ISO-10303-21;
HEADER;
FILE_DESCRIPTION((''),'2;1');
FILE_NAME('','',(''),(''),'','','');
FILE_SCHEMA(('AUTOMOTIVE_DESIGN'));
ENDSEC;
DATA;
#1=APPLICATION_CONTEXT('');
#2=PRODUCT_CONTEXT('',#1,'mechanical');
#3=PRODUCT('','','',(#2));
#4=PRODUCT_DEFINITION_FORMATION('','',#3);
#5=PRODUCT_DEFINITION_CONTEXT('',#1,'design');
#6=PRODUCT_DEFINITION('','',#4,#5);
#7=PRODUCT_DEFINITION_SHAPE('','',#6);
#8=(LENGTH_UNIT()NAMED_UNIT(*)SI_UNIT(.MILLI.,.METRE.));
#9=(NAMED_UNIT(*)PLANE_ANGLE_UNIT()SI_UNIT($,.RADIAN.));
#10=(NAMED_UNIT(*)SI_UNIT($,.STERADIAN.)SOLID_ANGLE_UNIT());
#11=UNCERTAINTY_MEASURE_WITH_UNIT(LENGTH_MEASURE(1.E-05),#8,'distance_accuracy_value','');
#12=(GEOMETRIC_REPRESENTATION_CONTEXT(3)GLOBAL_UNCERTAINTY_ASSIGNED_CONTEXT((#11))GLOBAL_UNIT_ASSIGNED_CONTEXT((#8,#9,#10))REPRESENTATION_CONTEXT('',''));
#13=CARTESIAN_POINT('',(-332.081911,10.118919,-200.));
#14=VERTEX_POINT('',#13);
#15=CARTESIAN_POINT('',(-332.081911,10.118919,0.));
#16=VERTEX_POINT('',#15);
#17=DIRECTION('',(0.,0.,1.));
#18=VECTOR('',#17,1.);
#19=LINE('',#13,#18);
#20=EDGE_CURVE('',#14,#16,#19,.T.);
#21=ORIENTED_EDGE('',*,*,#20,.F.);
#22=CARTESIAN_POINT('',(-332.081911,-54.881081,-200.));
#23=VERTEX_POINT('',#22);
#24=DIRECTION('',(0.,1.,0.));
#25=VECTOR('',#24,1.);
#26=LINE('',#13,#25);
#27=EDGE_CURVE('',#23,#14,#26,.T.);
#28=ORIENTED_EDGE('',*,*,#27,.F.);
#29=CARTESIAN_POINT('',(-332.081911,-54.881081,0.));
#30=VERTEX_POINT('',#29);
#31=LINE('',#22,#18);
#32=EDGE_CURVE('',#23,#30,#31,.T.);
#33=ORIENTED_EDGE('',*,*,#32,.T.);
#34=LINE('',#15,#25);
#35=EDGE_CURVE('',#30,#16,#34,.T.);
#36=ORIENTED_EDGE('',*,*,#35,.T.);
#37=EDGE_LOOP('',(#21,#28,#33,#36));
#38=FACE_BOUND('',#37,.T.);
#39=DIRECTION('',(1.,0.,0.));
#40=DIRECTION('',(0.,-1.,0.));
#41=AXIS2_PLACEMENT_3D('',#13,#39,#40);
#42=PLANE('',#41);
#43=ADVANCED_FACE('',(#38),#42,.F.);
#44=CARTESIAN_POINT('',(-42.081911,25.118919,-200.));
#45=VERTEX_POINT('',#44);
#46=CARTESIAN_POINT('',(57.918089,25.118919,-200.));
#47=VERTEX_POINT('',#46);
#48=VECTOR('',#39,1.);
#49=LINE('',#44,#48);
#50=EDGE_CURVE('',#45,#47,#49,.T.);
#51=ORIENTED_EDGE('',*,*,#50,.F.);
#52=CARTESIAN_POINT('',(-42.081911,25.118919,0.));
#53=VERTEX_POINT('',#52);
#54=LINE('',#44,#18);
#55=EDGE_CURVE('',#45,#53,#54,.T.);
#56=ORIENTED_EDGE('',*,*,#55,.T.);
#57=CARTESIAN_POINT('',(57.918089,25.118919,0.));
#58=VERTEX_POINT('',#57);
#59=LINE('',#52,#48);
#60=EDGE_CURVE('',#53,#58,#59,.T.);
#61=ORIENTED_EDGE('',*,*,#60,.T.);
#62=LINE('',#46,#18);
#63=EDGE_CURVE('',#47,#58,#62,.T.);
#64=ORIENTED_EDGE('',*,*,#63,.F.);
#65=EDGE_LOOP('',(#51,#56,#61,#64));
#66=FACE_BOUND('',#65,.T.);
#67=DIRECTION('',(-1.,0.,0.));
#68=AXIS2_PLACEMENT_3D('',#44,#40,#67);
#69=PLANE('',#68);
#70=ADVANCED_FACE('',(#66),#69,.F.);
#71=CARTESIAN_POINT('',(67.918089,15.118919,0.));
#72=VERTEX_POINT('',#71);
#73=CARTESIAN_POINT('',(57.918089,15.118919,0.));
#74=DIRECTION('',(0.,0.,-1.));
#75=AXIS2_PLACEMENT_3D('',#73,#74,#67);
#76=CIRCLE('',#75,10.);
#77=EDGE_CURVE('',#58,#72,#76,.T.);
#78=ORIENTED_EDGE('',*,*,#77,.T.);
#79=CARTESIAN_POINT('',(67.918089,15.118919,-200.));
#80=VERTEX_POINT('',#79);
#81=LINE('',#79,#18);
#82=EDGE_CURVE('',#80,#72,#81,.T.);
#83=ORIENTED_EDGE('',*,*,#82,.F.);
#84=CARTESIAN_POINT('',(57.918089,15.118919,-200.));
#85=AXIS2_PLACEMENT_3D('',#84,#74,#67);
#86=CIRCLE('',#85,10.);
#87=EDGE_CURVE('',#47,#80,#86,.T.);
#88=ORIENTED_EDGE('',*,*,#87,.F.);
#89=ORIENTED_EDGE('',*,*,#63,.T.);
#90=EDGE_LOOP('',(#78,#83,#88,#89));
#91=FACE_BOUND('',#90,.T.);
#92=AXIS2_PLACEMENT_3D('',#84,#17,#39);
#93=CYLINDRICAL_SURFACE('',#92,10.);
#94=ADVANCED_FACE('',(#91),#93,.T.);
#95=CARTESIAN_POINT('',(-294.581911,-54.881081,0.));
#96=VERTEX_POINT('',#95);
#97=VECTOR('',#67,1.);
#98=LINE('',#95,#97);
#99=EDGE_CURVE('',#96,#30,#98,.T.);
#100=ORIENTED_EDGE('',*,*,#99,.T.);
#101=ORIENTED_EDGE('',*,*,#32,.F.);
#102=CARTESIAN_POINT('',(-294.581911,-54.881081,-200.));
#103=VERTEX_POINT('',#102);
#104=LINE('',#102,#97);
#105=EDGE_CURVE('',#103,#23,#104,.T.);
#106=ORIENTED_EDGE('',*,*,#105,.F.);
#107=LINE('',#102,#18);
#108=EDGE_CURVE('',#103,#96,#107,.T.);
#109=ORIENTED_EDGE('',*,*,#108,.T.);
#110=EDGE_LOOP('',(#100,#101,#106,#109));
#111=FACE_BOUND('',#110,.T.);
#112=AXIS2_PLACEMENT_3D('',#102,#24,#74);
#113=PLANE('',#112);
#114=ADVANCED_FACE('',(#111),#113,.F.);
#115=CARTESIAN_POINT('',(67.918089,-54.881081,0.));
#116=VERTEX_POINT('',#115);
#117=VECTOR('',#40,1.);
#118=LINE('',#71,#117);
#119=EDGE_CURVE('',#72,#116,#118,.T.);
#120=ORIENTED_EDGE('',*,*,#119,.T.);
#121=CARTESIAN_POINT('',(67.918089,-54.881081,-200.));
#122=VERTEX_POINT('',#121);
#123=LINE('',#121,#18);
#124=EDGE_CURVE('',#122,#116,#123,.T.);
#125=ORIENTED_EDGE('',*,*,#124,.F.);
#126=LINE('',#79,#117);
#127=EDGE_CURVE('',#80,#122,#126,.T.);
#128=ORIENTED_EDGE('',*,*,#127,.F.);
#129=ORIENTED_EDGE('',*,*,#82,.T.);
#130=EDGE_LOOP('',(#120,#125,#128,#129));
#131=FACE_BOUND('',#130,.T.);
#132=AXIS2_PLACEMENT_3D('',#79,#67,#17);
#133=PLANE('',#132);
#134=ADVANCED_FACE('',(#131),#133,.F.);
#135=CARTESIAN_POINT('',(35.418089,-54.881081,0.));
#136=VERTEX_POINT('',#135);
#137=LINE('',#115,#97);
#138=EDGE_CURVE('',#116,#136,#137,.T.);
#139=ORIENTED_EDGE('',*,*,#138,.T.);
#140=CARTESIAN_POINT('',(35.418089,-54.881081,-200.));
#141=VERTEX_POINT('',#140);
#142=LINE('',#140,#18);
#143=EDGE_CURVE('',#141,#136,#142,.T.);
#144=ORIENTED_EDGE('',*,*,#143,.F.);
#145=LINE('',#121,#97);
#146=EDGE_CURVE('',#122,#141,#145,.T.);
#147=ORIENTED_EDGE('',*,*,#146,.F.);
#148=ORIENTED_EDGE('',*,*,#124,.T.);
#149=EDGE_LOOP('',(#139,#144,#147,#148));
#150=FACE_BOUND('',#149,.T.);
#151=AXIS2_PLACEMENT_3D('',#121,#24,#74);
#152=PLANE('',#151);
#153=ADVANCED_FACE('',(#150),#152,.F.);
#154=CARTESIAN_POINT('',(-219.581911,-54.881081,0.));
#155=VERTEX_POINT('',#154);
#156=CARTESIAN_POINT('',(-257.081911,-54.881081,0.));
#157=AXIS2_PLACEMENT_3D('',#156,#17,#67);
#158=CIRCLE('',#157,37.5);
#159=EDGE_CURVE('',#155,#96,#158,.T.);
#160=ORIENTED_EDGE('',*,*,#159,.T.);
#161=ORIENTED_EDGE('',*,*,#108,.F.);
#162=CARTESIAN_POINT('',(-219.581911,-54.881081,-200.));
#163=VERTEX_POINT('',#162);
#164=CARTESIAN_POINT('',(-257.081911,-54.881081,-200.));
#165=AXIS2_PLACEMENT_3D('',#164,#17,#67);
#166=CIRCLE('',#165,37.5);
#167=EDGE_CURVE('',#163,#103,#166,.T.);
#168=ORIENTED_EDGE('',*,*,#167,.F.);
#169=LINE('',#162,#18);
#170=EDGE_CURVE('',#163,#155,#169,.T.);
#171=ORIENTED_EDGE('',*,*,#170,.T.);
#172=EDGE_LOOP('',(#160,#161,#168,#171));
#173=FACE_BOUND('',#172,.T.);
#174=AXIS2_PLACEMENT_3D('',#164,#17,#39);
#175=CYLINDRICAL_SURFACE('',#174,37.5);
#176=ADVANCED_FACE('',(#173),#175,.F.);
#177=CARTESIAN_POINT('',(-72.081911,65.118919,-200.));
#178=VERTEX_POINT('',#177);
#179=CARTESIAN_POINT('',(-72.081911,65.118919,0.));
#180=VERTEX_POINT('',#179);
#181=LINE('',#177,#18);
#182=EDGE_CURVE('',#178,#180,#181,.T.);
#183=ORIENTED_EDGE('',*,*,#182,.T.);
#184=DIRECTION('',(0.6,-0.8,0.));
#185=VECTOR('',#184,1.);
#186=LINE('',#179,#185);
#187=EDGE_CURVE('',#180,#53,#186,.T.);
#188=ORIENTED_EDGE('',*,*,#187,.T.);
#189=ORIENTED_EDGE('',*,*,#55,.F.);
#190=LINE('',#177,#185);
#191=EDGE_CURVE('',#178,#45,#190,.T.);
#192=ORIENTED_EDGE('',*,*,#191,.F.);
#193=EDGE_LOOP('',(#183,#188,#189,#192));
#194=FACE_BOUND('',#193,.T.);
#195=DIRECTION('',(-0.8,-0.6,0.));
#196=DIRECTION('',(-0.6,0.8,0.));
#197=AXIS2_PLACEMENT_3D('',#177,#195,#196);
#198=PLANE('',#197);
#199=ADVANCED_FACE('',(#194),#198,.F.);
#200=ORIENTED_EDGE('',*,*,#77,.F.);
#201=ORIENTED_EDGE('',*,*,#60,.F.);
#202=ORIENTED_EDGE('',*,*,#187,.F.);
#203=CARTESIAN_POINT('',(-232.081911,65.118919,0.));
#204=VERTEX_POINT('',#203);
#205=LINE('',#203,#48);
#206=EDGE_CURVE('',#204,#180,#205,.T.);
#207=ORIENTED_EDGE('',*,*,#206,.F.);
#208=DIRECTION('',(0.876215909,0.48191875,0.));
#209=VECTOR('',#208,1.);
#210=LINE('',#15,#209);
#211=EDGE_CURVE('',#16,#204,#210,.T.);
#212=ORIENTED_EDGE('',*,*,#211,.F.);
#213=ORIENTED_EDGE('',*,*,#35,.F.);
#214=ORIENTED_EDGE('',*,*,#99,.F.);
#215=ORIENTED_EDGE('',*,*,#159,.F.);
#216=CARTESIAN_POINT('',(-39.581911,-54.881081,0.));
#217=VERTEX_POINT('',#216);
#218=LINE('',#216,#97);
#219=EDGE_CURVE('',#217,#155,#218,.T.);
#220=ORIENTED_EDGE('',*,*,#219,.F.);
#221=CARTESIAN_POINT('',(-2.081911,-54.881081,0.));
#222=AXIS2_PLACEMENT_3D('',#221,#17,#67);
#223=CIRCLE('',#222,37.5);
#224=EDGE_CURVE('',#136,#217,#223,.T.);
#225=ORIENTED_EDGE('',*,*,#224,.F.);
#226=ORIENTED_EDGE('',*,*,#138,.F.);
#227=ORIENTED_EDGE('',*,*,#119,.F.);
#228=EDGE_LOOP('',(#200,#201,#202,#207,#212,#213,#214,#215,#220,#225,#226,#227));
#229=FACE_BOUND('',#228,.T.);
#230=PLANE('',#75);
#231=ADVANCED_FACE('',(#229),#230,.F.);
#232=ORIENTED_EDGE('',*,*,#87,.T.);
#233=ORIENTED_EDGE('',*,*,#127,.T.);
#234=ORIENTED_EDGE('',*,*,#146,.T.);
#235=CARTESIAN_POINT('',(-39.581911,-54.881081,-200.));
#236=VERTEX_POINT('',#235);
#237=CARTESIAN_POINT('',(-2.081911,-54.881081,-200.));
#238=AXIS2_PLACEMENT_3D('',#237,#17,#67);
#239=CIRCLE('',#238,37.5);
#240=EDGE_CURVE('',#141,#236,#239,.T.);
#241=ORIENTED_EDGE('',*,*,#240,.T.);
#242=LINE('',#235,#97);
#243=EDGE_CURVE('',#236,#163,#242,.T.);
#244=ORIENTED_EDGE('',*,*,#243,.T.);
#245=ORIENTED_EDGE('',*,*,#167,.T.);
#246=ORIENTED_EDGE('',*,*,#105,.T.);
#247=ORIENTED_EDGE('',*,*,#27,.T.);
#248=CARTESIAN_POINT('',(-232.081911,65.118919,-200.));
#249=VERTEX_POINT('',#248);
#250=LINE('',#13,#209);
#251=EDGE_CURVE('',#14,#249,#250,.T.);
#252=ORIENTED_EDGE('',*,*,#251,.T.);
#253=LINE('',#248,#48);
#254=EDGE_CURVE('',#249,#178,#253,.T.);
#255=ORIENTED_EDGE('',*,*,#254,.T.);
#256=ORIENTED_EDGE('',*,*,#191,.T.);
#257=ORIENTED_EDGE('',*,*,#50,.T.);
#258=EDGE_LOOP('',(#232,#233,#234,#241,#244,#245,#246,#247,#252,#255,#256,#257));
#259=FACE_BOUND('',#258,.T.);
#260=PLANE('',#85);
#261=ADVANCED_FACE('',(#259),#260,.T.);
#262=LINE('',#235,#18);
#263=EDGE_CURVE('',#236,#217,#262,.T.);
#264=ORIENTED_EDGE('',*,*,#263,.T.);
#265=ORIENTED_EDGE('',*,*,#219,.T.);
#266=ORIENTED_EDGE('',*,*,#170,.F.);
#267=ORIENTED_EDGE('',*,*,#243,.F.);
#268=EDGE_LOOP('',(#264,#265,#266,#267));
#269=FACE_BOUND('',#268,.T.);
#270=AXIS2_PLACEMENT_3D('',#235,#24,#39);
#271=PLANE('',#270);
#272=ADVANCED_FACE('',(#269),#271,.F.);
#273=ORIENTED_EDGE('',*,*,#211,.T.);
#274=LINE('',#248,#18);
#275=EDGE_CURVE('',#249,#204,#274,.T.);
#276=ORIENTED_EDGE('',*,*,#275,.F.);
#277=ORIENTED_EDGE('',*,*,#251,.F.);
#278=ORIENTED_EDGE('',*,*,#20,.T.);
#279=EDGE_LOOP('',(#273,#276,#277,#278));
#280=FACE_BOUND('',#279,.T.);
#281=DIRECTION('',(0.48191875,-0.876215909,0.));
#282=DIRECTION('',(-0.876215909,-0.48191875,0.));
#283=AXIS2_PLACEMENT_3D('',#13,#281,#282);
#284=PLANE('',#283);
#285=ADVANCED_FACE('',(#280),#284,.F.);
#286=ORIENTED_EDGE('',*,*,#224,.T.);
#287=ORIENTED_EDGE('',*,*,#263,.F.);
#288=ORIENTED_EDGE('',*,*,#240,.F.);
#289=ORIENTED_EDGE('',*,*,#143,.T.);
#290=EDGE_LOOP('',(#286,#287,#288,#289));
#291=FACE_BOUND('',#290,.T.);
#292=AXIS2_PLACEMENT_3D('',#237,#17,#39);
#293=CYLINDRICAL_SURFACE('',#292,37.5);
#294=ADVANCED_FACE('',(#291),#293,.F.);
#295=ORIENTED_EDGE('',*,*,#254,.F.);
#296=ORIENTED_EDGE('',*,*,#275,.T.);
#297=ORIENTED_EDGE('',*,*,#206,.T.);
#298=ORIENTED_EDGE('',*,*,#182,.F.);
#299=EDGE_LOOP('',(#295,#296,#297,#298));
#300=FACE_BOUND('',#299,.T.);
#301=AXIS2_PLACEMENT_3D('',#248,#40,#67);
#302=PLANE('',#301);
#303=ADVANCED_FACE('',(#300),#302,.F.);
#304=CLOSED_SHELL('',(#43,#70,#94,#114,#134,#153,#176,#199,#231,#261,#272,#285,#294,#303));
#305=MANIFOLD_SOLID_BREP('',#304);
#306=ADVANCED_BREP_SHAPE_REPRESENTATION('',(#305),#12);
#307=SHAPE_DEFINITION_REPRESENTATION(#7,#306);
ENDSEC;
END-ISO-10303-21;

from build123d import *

# Parameters (mm, degrees)
BOSS_EXTRUDE1_DEPTH   = 200
BODY_MOVE_COPY1_ANGLE = 180


with BuildPart() as part:
    # Sketch2 → Boss-Extrude1 (new body)
    with BuildSketch(Plane.XY):
        with BuildLine():
            Line((332.081911263, 10.118919234), (232.081911263, 65.118919234))
            Line((232.081911263, 65.118919234), (72.081911263, 65.118919234))
            Line((72.081911263, 65.118919234), (42.081911263, 25.118919234))
            Line((42.081911263, 25.118919234), (-57.918088737, 25.118919234))
            ThreePointArc((-57.918088737, 25.118919234), (-64.989156549, 22.189987046), (-67.918088737, 15.118919234))
            Line((-67.918088737, 15.118919234), (-67.918088737, -54.881080766))
            Line((-67.918088737, -54.881080766), (-35.418088737, -54.881080766))
            ThreePointArc((-35.418088737, -54.881080766), (2.081911263, -17.381080766), (39.581911263, -54.881080766))
            Line((39.581911263, -54.881080766), (219.581911263, -54.881080766))
            ThreePointArc((219.581911263, -54.881080766), (257.081911263, -17.381080766), (294.581911263, -54.881080766))
            Line((294.581911263, -54.881080766), (332.081911263, -54.881080766))
            Line((332.081911263, -54.881080766), (332.081911263, 10.118919234))
        make_face()
    extrude(amount=BOSS_EXTRUDE1_DEPTH)


with BuildPart() as part_1:
    # Body-Move/Copy1: moved
    add(part.part.rotate(Axis((0, 0, 0), (0, 1, 0)), BODY_MOVE_COPY1_ANGLE))


solid = part_1.part
